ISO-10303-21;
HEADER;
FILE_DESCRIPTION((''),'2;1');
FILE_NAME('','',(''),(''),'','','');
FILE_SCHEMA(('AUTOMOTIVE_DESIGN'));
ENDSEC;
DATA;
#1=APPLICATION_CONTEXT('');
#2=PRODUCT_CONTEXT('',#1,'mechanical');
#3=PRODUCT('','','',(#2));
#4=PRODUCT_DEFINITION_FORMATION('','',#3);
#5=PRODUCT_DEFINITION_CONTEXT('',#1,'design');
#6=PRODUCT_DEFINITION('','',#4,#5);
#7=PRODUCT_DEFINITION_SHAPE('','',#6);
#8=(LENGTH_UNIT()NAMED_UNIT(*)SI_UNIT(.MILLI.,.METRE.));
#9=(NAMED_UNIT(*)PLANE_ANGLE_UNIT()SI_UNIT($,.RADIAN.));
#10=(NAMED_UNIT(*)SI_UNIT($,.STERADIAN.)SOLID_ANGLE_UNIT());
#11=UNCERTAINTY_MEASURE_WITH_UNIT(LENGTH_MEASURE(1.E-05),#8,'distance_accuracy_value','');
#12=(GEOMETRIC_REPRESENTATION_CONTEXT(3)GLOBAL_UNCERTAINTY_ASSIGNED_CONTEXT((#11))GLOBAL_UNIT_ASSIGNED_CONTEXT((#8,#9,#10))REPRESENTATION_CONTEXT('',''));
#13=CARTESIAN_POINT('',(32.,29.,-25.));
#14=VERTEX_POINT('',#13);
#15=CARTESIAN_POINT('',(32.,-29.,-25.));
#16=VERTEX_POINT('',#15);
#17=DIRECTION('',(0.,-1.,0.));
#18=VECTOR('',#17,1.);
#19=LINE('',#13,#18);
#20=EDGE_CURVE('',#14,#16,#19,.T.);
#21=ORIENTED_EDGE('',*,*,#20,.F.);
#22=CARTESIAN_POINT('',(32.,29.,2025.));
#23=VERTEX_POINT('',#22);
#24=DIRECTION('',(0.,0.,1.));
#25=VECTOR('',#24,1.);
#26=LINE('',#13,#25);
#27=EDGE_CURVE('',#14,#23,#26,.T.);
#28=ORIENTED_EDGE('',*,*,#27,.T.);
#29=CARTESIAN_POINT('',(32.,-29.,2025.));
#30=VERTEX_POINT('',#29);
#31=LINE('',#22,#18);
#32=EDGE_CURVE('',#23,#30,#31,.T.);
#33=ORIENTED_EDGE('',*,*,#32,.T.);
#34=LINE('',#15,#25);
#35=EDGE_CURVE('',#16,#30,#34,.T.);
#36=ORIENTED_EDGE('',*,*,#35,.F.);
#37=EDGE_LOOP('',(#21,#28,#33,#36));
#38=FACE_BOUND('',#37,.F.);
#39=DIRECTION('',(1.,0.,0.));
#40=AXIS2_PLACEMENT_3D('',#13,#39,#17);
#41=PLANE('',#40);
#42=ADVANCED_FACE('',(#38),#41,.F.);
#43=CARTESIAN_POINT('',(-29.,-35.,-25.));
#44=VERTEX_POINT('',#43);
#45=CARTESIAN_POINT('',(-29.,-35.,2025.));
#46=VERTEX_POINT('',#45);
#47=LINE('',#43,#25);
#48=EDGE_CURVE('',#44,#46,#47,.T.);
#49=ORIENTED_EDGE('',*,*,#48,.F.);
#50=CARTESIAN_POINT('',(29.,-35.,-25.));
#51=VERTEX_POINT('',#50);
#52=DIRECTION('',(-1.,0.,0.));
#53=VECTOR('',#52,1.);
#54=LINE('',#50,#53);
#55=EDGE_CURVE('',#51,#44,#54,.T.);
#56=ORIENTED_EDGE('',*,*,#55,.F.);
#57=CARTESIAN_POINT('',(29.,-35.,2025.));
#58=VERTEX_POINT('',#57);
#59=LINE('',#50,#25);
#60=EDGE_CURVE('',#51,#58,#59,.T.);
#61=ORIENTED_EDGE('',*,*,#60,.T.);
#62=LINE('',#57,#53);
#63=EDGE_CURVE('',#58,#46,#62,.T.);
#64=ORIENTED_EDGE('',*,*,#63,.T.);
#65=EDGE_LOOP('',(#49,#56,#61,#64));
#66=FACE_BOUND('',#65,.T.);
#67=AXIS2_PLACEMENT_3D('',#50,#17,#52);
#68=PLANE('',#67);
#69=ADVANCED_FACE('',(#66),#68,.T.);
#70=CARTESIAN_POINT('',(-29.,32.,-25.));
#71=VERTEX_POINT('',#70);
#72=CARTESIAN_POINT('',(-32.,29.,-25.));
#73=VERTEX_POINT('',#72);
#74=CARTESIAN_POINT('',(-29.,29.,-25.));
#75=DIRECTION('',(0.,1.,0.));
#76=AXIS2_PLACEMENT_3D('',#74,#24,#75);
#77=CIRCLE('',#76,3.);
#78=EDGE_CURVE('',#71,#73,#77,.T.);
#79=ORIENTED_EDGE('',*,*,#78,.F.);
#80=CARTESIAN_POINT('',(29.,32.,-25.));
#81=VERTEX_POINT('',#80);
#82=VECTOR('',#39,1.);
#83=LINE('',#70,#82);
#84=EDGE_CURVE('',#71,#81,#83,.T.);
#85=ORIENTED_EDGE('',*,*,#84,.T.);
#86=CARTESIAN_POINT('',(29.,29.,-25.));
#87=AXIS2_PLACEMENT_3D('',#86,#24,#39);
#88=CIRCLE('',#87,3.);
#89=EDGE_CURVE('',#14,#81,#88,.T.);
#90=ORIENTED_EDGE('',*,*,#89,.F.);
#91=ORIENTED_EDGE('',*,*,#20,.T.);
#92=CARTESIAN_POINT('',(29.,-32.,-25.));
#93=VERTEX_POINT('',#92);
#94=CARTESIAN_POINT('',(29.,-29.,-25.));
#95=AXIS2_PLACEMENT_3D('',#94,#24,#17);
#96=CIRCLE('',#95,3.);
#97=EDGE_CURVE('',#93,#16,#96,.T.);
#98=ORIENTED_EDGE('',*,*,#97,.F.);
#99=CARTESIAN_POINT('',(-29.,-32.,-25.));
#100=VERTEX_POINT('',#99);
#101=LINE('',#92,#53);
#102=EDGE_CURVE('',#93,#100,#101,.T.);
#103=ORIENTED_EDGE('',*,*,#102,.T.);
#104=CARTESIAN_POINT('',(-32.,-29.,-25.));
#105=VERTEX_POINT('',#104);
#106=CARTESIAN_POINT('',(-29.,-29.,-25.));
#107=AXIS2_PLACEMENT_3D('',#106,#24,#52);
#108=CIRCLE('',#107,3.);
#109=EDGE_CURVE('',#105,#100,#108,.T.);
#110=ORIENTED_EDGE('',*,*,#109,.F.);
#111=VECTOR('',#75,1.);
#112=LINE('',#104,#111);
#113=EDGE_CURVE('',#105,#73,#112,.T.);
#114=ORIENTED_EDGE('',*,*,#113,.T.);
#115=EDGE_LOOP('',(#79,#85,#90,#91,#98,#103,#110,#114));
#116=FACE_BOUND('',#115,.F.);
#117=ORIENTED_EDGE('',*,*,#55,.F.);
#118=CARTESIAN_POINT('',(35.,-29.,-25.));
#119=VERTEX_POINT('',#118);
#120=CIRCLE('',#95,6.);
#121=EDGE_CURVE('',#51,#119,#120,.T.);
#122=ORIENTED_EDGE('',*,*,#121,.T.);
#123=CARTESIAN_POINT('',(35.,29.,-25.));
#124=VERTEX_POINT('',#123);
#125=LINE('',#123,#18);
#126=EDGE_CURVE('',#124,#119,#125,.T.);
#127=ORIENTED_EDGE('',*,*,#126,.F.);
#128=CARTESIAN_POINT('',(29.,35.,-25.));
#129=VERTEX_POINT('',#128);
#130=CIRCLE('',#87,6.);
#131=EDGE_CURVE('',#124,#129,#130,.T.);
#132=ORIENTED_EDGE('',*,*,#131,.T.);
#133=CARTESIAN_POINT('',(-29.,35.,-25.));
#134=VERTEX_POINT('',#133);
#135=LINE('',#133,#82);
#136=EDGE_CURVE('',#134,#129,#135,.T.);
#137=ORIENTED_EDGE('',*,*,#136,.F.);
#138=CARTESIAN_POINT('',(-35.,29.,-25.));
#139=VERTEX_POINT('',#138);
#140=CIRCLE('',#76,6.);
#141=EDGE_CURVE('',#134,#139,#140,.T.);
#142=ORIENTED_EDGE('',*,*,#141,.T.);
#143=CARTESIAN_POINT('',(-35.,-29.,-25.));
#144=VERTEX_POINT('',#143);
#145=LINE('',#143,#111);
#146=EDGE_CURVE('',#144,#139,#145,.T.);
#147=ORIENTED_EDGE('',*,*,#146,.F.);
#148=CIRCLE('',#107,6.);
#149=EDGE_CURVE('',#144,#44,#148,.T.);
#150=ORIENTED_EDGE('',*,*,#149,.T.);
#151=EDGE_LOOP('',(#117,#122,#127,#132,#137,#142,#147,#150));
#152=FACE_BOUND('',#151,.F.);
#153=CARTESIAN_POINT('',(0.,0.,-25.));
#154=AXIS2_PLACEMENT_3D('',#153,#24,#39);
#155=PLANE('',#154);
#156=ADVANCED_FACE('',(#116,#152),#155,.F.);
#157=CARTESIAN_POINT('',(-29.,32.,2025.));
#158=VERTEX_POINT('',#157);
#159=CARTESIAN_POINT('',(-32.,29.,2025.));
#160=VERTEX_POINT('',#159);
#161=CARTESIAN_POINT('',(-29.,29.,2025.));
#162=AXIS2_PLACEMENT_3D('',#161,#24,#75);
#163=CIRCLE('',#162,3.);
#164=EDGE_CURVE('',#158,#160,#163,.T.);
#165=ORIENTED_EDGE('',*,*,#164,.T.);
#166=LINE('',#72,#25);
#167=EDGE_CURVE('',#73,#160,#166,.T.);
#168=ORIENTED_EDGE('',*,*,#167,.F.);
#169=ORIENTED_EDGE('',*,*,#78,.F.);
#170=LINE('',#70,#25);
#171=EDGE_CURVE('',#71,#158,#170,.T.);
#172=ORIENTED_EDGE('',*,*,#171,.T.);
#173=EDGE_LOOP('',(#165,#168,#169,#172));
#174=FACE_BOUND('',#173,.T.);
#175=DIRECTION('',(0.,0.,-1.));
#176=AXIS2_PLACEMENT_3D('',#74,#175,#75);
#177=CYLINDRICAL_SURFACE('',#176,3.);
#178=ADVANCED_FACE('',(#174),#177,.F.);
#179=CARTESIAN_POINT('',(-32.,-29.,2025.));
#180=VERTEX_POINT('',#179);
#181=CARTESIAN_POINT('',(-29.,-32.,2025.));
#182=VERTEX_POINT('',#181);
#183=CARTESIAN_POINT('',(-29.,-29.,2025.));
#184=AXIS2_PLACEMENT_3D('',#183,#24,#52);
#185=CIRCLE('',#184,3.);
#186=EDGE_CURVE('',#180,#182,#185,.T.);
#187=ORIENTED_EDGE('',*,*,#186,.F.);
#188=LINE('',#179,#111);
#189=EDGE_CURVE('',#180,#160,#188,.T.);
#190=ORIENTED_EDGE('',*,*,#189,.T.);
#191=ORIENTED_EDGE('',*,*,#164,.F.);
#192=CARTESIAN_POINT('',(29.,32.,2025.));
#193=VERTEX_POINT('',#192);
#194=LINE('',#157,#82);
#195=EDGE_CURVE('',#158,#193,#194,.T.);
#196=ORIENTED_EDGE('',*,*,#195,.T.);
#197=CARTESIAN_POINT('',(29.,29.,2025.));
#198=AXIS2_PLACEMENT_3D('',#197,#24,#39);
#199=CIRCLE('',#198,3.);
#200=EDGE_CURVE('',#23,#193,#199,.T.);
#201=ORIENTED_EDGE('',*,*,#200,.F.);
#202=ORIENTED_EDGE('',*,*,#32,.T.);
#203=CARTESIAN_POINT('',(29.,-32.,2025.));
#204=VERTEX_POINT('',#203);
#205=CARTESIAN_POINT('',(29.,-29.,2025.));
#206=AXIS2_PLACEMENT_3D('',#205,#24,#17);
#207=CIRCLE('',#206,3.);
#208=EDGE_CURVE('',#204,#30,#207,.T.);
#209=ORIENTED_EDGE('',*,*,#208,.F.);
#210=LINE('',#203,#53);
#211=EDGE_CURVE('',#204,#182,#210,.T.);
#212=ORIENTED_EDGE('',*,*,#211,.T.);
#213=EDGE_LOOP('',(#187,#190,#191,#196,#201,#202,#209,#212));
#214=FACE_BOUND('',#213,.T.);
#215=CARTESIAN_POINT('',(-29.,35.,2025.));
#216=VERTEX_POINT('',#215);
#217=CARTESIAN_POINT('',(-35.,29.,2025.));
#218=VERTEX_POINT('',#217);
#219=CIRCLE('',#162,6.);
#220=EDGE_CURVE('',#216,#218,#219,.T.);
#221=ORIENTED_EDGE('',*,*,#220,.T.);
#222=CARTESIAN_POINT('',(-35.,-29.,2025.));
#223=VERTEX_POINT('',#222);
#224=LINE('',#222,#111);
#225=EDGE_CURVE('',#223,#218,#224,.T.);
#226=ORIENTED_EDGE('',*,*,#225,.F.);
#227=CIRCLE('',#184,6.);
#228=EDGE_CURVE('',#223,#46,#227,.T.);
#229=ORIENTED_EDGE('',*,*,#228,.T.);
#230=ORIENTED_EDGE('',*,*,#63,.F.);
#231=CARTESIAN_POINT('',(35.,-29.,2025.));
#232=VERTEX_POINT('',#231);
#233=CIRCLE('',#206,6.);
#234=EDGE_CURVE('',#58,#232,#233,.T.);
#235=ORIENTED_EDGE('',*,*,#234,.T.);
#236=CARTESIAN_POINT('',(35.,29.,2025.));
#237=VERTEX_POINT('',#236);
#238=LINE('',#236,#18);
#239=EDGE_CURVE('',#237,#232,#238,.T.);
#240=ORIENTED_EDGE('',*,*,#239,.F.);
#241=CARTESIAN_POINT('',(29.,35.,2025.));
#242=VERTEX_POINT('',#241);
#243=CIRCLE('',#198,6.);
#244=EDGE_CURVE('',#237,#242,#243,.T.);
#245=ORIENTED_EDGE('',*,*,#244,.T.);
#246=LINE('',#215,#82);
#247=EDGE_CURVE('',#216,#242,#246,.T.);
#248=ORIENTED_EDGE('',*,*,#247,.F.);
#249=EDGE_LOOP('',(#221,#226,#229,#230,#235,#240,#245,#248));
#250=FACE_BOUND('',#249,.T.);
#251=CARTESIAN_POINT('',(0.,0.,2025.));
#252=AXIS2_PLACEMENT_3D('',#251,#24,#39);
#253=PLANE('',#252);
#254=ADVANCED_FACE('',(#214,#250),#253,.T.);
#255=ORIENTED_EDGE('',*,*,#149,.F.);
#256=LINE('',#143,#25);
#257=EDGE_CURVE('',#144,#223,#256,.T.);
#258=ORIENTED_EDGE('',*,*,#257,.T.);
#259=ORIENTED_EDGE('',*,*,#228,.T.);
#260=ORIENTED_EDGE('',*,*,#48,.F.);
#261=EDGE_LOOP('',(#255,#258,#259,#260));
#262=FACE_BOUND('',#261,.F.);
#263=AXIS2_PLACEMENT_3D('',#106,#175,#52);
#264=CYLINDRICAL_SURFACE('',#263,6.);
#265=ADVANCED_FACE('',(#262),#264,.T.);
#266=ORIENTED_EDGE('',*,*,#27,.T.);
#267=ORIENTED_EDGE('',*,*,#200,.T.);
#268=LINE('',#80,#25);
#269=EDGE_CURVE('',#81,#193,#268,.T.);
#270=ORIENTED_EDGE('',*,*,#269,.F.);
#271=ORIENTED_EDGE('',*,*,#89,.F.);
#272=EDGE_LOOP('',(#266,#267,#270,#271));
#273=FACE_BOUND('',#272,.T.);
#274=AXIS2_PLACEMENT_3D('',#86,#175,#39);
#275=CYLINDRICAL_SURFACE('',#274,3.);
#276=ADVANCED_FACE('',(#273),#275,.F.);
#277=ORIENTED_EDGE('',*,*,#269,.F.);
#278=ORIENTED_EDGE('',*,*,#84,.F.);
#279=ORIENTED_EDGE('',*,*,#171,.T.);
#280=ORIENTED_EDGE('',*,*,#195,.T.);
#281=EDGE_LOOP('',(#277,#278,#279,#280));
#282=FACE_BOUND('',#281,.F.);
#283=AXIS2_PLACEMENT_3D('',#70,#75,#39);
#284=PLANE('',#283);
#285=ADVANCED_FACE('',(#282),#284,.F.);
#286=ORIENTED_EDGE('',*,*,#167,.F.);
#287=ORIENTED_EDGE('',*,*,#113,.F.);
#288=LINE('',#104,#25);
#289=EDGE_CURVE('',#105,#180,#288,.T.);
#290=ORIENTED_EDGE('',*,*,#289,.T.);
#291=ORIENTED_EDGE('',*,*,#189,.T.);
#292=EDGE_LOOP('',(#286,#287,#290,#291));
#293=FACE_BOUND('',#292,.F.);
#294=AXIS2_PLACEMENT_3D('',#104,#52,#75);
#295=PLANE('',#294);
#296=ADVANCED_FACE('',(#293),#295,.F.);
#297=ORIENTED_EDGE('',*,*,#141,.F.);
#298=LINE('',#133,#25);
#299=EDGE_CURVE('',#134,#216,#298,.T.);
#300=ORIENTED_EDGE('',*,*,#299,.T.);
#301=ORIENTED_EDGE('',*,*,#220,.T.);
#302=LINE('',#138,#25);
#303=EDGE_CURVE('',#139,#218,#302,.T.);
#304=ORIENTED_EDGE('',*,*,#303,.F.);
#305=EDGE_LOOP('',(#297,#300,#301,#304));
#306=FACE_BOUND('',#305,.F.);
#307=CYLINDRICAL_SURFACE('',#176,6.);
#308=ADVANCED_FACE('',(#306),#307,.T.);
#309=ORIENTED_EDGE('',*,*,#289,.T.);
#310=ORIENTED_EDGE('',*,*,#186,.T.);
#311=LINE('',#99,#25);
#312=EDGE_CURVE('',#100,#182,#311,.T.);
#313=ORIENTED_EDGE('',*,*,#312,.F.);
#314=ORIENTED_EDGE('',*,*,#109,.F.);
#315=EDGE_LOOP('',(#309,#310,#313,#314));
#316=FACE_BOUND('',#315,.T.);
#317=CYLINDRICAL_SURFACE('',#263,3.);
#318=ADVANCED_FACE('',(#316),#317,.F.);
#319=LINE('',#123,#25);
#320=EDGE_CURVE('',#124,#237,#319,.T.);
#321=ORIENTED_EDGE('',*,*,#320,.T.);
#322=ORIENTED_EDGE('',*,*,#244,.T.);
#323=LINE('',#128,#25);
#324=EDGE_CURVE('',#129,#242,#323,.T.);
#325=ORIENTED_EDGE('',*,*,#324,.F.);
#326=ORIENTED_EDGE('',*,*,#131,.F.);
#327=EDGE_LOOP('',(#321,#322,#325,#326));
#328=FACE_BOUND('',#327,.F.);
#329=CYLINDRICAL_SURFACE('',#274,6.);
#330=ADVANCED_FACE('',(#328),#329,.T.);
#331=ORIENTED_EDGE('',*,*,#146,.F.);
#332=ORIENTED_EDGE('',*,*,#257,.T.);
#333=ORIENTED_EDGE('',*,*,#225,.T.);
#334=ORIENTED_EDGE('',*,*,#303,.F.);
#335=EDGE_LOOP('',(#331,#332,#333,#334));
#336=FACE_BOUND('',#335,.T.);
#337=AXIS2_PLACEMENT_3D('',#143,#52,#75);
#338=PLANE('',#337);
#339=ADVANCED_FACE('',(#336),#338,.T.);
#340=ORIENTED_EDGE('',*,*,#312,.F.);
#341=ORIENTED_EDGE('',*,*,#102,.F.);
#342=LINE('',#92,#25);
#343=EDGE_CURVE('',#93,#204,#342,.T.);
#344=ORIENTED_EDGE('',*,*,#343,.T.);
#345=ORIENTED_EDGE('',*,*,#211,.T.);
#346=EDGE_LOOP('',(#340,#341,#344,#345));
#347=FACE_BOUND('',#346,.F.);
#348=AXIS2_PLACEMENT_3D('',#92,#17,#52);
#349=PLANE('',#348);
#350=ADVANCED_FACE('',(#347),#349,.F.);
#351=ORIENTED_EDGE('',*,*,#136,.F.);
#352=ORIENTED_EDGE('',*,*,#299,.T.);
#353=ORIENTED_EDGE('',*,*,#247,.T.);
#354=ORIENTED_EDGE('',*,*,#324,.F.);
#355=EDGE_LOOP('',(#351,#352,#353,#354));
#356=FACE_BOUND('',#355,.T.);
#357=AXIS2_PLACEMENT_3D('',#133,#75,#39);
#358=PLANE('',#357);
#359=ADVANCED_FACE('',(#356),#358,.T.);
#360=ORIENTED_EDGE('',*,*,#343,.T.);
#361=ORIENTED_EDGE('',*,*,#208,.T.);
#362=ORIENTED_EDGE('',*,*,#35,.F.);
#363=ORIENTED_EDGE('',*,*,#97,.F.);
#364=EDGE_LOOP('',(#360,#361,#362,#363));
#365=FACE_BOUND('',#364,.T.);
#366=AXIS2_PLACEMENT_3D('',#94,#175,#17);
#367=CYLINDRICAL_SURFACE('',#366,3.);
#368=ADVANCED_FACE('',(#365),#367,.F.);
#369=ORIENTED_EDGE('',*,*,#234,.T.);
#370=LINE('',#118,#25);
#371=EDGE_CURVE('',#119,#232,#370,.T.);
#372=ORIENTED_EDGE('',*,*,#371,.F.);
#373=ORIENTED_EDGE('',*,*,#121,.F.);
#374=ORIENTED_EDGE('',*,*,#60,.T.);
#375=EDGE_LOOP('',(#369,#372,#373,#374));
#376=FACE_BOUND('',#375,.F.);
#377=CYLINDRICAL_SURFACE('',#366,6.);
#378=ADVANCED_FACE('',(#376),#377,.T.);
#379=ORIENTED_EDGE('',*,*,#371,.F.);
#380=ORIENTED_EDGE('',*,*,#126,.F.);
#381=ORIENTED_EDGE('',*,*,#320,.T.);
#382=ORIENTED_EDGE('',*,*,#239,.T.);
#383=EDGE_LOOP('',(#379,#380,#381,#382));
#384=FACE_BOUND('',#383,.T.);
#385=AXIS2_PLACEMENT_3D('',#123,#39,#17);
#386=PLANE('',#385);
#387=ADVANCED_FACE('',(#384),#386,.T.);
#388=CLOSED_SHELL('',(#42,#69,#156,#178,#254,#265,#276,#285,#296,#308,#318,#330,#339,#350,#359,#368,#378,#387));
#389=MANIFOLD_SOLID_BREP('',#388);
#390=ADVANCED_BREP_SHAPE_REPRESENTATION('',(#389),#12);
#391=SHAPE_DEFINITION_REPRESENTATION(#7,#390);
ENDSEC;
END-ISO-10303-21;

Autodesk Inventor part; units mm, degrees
ref_plane "YZ Plane" through (0, 0, 0) normal (1, 0, 0) x (0, 1, 0)
ref_plane "Plano inicial" through (0, 0, -25) normal (0, 0, 1) x (1, 0, 0)
ref_plane "Plano final" through (0, 0, 2025) normal (0, 0, 1) x (1, 0, 0)
sketch "Boceto" plane through (0, 0, 0) normal (0, 0, 1) x (1, 0, 0)
  line L0 (-35, -29) -> (-35, 29)
  line L1 (-29, 35) -> (29, 35)
  line L2 (35, 29) -> (35, -29)
  line L3 (29, -35) -> (-29, -35)
  arc A0 (-35, -29) -> (-29, -35) centre (-29, -29) ccw
  arc A1 (35, 29) -> (29, 35) centre (29, 29) ccw
  arc A2 (-29, 35) -> (-35, 29) centre (-29, 29) ccw
  arc A3 (29, -35) -> (35, -29) centre (29, -29) ccw
  arc A4 (-29, 32) -> (-32, 29) centre (-29, 29) ccw
  line L4 (-29, 32) -> (29, 32)
  arc A5 (32, 29) -> (29, 32) centre (29, 29) ccw
  line L5 (32, 29) -> (32, -29)
  arc A6 (29, -32) -> (32, -29) centre (29, -29) ccw
  line L6 (29, -32) -> (-29, -32)
  arc A7 (-32, -29) -> (-29, -32) centre (-29, -29) ccw
  line L7 (-32, -29) -> (-32, 29)
  line L8 (0, 50.7397) -> (0, -50.7397) construction
  line L9 (-50.7397, 0) -> (50.7397, 0) construction
  dimension "d7" = 6
  dimension "d9" = 70
  dimension "d11" = 70
  dimension "d12" = 3
  dimension "d15" = 35
  dimension "d16" = 35
extrude "Cuerpo" add sketch "Boceto" along normal up to surface (2050 mm away) from surface at -25
sketch "Sketch3" plane through (0, 0, 0) normal (0, 0, 1) x (1, 0, 0)
  line L0 (0, 0) -> (10, 0)
ref_plane "Work Plane3" through (0, 0, 0) normal (0, -1, 0) x (1, 0, 0)
sketch "Sketch4" plane through (0, 0, 0) normal (0, -1, 0) x (1, 0, 0)
  line L0 (-2, -25) -> (12, -25)
  line L1 (-2, 2025) -> (12, 2025)
  dimension "d18" = 2050
equation "\"d7\" = G_IR"
equation "\"d9\" = G_W"
equation "\"d11\" = G_H"
equation "\"d12\" = G_T"
equation "\"d15\" = 0.5 * d9"
equation "\"d16\" = 0.5 * d11"
equation "\"d3\" = G_L"
equation "\"G_W\" = 70"
equation "\"G_H\" = 70"
equation "\"G_T\" = 3"
equation "\"G_IR\" = 6"
equation "\"G_L\" = d18"
equation "\"G_OFFSET_START\" = 25"
equation "\"G_OFFSET_END\" = 25"
equation "\"d13\" = -G_OFFSET_START"
equation "\"d14\" = G_OFFSET_END + B_L"
equation "\"B_L\" = 2000"
properties part number "ISO 10799-2 - 70x70x3 - 2050" material "Galvanizado catalogo 2"
